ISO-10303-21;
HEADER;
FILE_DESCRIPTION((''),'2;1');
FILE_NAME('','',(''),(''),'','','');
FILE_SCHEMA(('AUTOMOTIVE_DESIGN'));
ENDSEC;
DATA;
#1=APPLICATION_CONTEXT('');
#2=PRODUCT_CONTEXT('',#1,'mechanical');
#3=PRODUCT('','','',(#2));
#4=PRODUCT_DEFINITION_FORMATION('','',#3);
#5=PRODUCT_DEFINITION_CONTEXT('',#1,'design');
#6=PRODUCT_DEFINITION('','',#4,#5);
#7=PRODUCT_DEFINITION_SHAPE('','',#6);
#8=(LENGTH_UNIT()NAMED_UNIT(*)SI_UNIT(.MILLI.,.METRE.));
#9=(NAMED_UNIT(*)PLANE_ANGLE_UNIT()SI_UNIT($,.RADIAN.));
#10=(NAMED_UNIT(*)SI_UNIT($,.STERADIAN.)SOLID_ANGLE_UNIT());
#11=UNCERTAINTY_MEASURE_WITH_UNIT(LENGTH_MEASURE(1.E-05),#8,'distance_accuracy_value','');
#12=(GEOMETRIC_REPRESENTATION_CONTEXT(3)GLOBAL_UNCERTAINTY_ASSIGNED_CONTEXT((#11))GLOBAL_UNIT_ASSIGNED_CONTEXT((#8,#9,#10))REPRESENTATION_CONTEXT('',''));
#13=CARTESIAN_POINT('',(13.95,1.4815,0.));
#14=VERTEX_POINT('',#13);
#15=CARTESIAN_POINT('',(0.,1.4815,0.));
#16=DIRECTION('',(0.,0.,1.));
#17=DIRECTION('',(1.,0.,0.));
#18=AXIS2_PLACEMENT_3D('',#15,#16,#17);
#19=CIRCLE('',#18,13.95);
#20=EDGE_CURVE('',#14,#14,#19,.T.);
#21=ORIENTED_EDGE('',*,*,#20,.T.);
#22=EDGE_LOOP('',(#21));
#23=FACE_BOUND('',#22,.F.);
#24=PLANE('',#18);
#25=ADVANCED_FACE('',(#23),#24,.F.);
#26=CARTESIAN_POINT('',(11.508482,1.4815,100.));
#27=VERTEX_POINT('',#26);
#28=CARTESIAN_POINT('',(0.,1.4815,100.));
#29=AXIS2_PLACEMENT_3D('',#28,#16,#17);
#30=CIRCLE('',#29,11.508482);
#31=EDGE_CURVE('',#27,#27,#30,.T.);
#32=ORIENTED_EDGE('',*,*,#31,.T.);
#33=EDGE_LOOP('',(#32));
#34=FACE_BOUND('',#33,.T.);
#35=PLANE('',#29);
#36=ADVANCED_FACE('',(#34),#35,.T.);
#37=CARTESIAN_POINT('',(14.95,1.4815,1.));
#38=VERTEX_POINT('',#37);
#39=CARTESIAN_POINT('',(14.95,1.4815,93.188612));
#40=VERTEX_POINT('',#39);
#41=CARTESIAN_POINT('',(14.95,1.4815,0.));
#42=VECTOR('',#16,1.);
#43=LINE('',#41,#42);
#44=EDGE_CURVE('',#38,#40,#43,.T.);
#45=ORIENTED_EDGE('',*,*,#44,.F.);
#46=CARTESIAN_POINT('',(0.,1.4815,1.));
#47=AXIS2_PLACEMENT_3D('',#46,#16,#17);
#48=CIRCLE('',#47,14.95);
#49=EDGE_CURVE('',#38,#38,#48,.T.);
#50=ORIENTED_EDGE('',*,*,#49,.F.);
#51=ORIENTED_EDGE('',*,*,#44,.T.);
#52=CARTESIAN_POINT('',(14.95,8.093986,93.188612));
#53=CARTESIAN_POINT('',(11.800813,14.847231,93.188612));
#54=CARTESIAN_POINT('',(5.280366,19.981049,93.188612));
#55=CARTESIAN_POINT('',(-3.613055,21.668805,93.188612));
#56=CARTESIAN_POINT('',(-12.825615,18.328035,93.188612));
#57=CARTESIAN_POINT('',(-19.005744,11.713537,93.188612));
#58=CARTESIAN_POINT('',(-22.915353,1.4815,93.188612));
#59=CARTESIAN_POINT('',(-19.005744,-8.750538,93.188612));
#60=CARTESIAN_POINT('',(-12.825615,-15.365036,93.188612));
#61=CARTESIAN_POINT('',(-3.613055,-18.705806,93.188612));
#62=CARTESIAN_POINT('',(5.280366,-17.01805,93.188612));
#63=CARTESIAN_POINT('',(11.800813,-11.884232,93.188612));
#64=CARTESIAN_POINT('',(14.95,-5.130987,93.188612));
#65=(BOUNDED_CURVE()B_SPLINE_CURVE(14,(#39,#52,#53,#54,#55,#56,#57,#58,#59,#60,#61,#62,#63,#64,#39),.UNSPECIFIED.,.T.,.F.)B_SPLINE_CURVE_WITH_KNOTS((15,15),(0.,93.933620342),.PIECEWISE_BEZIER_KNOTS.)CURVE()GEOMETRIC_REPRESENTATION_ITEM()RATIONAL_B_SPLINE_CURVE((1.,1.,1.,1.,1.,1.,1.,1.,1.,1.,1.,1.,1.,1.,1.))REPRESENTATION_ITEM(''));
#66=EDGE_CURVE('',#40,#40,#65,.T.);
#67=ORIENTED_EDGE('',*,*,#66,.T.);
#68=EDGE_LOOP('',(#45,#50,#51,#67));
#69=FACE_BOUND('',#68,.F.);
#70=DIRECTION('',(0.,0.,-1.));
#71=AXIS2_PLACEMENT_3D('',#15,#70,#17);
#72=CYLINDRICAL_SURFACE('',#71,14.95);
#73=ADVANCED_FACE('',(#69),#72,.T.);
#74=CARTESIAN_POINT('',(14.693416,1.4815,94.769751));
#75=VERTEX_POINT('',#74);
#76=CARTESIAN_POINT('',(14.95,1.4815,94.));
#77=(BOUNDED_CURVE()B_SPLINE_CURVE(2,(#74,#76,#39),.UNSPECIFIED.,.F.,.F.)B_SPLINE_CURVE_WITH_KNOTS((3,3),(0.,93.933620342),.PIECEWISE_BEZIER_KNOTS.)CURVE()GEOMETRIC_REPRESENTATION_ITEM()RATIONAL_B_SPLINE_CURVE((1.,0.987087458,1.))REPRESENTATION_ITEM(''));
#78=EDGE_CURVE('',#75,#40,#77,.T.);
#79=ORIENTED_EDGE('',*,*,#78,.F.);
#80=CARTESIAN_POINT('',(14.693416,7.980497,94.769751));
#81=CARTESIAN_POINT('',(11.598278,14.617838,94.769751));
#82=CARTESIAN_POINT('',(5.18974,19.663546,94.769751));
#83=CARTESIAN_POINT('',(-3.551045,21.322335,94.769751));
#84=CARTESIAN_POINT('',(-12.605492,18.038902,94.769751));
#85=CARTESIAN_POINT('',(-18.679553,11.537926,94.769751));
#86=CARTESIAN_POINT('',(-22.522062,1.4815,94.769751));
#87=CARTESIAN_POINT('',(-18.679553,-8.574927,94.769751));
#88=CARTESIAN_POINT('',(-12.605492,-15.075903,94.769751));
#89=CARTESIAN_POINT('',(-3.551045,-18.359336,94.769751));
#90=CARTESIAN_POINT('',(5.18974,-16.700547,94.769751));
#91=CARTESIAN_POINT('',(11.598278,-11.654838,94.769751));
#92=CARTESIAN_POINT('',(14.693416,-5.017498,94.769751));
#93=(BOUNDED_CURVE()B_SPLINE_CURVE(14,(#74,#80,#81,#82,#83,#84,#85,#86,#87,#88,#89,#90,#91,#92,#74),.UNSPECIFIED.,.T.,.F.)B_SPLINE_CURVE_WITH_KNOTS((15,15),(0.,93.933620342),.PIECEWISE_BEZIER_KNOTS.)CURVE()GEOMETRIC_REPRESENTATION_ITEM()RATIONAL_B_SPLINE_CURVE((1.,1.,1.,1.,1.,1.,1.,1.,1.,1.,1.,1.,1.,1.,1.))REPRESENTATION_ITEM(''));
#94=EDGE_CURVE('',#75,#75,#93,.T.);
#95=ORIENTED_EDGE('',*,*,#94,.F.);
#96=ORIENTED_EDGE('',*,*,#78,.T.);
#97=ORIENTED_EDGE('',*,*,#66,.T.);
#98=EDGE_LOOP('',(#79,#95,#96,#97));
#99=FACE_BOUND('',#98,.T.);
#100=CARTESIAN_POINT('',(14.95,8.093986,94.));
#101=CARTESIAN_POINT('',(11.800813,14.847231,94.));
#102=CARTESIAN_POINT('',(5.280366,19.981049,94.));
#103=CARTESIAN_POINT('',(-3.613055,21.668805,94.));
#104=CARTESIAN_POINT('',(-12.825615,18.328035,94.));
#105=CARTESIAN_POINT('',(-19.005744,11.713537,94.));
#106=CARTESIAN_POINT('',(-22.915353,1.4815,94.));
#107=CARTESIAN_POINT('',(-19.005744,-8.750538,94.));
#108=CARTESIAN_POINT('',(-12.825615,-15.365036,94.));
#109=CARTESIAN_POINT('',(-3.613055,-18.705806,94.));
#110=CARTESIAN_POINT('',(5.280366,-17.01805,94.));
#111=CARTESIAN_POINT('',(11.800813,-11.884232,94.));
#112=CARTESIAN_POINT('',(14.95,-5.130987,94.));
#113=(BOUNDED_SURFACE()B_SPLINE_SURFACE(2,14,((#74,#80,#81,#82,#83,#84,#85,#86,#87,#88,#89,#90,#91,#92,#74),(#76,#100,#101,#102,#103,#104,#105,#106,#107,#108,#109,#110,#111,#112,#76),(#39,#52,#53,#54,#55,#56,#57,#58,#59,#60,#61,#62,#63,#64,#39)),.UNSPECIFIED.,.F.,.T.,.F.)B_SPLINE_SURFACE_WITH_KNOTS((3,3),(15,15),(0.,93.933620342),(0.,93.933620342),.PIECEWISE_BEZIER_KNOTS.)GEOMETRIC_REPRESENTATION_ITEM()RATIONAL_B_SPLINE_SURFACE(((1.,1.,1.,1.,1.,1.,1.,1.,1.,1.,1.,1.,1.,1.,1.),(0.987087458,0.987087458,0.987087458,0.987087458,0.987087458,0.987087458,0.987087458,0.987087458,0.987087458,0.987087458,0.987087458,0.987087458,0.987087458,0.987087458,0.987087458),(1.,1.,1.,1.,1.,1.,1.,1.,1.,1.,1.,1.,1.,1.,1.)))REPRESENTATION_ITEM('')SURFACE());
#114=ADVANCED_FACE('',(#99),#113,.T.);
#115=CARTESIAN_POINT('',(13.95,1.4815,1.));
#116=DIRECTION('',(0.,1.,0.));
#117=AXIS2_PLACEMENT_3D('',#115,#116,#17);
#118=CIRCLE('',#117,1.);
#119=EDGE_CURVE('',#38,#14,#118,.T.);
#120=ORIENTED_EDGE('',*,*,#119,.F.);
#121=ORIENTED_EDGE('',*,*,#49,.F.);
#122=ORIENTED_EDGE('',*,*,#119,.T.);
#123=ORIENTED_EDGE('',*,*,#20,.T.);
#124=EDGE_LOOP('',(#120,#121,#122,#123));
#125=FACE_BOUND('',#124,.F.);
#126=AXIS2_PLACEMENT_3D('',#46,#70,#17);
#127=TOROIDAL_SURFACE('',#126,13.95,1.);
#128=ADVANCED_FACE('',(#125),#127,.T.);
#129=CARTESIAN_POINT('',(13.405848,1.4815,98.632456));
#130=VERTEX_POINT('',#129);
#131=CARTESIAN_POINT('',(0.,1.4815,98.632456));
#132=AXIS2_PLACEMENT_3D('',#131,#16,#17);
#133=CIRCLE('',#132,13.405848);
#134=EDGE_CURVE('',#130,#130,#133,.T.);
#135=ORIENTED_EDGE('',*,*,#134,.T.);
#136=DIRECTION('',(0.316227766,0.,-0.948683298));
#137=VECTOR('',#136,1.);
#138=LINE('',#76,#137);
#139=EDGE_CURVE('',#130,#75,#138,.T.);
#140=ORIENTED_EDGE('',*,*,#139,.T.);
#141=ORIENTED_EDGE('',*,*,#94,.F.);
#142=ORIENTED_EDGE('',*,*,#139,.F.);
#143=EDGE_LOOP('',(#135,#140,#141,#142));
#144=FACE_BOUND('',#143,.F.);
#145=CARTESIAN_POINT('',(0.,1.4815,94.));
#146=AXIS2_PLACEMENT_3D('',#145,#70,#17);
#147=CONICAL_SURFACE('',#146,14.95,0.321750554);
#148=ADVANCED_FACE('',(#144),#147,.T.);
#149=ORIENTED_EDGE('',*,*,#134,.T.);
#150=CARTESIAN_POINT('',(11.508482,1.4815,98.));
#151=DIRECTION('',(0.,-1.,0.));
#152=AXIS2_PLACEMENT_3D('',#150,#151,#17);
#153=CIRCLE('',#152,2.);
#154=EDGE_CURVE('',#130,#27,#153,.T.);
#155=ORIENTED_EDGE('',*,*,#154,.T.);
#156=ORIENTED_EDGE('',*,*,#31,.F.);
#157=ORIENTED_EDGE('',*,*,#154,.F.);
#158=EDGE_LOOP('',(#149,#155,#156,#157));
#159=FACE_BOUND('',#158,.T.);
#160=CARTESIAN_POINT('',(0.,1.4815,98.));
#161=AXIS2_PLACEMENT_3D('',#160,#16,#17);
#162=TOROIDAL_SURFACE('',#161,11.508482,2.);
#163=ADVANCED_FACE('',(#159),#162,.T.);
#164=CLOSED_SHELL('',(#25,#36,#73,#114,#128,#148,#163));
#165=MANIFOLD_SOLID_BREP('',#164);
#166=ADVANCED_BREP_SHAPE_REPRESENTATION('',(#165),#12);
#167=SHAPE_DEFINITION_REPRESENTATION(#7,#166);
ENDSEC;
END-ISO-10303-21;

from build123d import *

# Parameters (mm, degrees)
F0_R     = 14.95
F1_DEPTH = 100
F2_SIZE2 = 6
F2_SIZE  = 2
F3_R     = 1
F4_R     = 2
F5_R     = 5


with BuildPart() as f1:
    # F0 (on Top) → F1 (new body)
    with BuildSketch(Plane.XY):
        with Locations((0, 1.4814995229)):
            Circle(F0_R)
    extrude(amount=F1_DEPTH)

    # F2
    f2_edges = [f1.edges().sort_by_distance(p)[0] for p in [
        (-14.95, 1.4815, 100),
    ]]
    f2_side = f1.faces().sort_by_distance((0, 1.4815, 100))[0]
    chamfer(f2_edges, length=F2_SIZE, length2=F2_SIZE2, reference=f2_side)

    # F3
    f3_edges = [f1.edges().sort_by_distance(p)[0] for p in [
        (-14.95, 1.4815, 0),
    ]]
    fillet(f3_edges, radius=F3_R)

    # F4
    f4_edges = [f1.edges().sort_by_distance(p)[0] for p in [
        (-12.95, 1.4815, 100),
    ]]
    fillet(f4_edges, radius=F4_R)

    # F5
    f5_edges = [f1.edges().sort_by_distance(p)[0] for p in [
        (-14.95, 1.4815, 94),
    ]]
    fillet(f5_edges, radius=F5_R)


solid = f1.part
